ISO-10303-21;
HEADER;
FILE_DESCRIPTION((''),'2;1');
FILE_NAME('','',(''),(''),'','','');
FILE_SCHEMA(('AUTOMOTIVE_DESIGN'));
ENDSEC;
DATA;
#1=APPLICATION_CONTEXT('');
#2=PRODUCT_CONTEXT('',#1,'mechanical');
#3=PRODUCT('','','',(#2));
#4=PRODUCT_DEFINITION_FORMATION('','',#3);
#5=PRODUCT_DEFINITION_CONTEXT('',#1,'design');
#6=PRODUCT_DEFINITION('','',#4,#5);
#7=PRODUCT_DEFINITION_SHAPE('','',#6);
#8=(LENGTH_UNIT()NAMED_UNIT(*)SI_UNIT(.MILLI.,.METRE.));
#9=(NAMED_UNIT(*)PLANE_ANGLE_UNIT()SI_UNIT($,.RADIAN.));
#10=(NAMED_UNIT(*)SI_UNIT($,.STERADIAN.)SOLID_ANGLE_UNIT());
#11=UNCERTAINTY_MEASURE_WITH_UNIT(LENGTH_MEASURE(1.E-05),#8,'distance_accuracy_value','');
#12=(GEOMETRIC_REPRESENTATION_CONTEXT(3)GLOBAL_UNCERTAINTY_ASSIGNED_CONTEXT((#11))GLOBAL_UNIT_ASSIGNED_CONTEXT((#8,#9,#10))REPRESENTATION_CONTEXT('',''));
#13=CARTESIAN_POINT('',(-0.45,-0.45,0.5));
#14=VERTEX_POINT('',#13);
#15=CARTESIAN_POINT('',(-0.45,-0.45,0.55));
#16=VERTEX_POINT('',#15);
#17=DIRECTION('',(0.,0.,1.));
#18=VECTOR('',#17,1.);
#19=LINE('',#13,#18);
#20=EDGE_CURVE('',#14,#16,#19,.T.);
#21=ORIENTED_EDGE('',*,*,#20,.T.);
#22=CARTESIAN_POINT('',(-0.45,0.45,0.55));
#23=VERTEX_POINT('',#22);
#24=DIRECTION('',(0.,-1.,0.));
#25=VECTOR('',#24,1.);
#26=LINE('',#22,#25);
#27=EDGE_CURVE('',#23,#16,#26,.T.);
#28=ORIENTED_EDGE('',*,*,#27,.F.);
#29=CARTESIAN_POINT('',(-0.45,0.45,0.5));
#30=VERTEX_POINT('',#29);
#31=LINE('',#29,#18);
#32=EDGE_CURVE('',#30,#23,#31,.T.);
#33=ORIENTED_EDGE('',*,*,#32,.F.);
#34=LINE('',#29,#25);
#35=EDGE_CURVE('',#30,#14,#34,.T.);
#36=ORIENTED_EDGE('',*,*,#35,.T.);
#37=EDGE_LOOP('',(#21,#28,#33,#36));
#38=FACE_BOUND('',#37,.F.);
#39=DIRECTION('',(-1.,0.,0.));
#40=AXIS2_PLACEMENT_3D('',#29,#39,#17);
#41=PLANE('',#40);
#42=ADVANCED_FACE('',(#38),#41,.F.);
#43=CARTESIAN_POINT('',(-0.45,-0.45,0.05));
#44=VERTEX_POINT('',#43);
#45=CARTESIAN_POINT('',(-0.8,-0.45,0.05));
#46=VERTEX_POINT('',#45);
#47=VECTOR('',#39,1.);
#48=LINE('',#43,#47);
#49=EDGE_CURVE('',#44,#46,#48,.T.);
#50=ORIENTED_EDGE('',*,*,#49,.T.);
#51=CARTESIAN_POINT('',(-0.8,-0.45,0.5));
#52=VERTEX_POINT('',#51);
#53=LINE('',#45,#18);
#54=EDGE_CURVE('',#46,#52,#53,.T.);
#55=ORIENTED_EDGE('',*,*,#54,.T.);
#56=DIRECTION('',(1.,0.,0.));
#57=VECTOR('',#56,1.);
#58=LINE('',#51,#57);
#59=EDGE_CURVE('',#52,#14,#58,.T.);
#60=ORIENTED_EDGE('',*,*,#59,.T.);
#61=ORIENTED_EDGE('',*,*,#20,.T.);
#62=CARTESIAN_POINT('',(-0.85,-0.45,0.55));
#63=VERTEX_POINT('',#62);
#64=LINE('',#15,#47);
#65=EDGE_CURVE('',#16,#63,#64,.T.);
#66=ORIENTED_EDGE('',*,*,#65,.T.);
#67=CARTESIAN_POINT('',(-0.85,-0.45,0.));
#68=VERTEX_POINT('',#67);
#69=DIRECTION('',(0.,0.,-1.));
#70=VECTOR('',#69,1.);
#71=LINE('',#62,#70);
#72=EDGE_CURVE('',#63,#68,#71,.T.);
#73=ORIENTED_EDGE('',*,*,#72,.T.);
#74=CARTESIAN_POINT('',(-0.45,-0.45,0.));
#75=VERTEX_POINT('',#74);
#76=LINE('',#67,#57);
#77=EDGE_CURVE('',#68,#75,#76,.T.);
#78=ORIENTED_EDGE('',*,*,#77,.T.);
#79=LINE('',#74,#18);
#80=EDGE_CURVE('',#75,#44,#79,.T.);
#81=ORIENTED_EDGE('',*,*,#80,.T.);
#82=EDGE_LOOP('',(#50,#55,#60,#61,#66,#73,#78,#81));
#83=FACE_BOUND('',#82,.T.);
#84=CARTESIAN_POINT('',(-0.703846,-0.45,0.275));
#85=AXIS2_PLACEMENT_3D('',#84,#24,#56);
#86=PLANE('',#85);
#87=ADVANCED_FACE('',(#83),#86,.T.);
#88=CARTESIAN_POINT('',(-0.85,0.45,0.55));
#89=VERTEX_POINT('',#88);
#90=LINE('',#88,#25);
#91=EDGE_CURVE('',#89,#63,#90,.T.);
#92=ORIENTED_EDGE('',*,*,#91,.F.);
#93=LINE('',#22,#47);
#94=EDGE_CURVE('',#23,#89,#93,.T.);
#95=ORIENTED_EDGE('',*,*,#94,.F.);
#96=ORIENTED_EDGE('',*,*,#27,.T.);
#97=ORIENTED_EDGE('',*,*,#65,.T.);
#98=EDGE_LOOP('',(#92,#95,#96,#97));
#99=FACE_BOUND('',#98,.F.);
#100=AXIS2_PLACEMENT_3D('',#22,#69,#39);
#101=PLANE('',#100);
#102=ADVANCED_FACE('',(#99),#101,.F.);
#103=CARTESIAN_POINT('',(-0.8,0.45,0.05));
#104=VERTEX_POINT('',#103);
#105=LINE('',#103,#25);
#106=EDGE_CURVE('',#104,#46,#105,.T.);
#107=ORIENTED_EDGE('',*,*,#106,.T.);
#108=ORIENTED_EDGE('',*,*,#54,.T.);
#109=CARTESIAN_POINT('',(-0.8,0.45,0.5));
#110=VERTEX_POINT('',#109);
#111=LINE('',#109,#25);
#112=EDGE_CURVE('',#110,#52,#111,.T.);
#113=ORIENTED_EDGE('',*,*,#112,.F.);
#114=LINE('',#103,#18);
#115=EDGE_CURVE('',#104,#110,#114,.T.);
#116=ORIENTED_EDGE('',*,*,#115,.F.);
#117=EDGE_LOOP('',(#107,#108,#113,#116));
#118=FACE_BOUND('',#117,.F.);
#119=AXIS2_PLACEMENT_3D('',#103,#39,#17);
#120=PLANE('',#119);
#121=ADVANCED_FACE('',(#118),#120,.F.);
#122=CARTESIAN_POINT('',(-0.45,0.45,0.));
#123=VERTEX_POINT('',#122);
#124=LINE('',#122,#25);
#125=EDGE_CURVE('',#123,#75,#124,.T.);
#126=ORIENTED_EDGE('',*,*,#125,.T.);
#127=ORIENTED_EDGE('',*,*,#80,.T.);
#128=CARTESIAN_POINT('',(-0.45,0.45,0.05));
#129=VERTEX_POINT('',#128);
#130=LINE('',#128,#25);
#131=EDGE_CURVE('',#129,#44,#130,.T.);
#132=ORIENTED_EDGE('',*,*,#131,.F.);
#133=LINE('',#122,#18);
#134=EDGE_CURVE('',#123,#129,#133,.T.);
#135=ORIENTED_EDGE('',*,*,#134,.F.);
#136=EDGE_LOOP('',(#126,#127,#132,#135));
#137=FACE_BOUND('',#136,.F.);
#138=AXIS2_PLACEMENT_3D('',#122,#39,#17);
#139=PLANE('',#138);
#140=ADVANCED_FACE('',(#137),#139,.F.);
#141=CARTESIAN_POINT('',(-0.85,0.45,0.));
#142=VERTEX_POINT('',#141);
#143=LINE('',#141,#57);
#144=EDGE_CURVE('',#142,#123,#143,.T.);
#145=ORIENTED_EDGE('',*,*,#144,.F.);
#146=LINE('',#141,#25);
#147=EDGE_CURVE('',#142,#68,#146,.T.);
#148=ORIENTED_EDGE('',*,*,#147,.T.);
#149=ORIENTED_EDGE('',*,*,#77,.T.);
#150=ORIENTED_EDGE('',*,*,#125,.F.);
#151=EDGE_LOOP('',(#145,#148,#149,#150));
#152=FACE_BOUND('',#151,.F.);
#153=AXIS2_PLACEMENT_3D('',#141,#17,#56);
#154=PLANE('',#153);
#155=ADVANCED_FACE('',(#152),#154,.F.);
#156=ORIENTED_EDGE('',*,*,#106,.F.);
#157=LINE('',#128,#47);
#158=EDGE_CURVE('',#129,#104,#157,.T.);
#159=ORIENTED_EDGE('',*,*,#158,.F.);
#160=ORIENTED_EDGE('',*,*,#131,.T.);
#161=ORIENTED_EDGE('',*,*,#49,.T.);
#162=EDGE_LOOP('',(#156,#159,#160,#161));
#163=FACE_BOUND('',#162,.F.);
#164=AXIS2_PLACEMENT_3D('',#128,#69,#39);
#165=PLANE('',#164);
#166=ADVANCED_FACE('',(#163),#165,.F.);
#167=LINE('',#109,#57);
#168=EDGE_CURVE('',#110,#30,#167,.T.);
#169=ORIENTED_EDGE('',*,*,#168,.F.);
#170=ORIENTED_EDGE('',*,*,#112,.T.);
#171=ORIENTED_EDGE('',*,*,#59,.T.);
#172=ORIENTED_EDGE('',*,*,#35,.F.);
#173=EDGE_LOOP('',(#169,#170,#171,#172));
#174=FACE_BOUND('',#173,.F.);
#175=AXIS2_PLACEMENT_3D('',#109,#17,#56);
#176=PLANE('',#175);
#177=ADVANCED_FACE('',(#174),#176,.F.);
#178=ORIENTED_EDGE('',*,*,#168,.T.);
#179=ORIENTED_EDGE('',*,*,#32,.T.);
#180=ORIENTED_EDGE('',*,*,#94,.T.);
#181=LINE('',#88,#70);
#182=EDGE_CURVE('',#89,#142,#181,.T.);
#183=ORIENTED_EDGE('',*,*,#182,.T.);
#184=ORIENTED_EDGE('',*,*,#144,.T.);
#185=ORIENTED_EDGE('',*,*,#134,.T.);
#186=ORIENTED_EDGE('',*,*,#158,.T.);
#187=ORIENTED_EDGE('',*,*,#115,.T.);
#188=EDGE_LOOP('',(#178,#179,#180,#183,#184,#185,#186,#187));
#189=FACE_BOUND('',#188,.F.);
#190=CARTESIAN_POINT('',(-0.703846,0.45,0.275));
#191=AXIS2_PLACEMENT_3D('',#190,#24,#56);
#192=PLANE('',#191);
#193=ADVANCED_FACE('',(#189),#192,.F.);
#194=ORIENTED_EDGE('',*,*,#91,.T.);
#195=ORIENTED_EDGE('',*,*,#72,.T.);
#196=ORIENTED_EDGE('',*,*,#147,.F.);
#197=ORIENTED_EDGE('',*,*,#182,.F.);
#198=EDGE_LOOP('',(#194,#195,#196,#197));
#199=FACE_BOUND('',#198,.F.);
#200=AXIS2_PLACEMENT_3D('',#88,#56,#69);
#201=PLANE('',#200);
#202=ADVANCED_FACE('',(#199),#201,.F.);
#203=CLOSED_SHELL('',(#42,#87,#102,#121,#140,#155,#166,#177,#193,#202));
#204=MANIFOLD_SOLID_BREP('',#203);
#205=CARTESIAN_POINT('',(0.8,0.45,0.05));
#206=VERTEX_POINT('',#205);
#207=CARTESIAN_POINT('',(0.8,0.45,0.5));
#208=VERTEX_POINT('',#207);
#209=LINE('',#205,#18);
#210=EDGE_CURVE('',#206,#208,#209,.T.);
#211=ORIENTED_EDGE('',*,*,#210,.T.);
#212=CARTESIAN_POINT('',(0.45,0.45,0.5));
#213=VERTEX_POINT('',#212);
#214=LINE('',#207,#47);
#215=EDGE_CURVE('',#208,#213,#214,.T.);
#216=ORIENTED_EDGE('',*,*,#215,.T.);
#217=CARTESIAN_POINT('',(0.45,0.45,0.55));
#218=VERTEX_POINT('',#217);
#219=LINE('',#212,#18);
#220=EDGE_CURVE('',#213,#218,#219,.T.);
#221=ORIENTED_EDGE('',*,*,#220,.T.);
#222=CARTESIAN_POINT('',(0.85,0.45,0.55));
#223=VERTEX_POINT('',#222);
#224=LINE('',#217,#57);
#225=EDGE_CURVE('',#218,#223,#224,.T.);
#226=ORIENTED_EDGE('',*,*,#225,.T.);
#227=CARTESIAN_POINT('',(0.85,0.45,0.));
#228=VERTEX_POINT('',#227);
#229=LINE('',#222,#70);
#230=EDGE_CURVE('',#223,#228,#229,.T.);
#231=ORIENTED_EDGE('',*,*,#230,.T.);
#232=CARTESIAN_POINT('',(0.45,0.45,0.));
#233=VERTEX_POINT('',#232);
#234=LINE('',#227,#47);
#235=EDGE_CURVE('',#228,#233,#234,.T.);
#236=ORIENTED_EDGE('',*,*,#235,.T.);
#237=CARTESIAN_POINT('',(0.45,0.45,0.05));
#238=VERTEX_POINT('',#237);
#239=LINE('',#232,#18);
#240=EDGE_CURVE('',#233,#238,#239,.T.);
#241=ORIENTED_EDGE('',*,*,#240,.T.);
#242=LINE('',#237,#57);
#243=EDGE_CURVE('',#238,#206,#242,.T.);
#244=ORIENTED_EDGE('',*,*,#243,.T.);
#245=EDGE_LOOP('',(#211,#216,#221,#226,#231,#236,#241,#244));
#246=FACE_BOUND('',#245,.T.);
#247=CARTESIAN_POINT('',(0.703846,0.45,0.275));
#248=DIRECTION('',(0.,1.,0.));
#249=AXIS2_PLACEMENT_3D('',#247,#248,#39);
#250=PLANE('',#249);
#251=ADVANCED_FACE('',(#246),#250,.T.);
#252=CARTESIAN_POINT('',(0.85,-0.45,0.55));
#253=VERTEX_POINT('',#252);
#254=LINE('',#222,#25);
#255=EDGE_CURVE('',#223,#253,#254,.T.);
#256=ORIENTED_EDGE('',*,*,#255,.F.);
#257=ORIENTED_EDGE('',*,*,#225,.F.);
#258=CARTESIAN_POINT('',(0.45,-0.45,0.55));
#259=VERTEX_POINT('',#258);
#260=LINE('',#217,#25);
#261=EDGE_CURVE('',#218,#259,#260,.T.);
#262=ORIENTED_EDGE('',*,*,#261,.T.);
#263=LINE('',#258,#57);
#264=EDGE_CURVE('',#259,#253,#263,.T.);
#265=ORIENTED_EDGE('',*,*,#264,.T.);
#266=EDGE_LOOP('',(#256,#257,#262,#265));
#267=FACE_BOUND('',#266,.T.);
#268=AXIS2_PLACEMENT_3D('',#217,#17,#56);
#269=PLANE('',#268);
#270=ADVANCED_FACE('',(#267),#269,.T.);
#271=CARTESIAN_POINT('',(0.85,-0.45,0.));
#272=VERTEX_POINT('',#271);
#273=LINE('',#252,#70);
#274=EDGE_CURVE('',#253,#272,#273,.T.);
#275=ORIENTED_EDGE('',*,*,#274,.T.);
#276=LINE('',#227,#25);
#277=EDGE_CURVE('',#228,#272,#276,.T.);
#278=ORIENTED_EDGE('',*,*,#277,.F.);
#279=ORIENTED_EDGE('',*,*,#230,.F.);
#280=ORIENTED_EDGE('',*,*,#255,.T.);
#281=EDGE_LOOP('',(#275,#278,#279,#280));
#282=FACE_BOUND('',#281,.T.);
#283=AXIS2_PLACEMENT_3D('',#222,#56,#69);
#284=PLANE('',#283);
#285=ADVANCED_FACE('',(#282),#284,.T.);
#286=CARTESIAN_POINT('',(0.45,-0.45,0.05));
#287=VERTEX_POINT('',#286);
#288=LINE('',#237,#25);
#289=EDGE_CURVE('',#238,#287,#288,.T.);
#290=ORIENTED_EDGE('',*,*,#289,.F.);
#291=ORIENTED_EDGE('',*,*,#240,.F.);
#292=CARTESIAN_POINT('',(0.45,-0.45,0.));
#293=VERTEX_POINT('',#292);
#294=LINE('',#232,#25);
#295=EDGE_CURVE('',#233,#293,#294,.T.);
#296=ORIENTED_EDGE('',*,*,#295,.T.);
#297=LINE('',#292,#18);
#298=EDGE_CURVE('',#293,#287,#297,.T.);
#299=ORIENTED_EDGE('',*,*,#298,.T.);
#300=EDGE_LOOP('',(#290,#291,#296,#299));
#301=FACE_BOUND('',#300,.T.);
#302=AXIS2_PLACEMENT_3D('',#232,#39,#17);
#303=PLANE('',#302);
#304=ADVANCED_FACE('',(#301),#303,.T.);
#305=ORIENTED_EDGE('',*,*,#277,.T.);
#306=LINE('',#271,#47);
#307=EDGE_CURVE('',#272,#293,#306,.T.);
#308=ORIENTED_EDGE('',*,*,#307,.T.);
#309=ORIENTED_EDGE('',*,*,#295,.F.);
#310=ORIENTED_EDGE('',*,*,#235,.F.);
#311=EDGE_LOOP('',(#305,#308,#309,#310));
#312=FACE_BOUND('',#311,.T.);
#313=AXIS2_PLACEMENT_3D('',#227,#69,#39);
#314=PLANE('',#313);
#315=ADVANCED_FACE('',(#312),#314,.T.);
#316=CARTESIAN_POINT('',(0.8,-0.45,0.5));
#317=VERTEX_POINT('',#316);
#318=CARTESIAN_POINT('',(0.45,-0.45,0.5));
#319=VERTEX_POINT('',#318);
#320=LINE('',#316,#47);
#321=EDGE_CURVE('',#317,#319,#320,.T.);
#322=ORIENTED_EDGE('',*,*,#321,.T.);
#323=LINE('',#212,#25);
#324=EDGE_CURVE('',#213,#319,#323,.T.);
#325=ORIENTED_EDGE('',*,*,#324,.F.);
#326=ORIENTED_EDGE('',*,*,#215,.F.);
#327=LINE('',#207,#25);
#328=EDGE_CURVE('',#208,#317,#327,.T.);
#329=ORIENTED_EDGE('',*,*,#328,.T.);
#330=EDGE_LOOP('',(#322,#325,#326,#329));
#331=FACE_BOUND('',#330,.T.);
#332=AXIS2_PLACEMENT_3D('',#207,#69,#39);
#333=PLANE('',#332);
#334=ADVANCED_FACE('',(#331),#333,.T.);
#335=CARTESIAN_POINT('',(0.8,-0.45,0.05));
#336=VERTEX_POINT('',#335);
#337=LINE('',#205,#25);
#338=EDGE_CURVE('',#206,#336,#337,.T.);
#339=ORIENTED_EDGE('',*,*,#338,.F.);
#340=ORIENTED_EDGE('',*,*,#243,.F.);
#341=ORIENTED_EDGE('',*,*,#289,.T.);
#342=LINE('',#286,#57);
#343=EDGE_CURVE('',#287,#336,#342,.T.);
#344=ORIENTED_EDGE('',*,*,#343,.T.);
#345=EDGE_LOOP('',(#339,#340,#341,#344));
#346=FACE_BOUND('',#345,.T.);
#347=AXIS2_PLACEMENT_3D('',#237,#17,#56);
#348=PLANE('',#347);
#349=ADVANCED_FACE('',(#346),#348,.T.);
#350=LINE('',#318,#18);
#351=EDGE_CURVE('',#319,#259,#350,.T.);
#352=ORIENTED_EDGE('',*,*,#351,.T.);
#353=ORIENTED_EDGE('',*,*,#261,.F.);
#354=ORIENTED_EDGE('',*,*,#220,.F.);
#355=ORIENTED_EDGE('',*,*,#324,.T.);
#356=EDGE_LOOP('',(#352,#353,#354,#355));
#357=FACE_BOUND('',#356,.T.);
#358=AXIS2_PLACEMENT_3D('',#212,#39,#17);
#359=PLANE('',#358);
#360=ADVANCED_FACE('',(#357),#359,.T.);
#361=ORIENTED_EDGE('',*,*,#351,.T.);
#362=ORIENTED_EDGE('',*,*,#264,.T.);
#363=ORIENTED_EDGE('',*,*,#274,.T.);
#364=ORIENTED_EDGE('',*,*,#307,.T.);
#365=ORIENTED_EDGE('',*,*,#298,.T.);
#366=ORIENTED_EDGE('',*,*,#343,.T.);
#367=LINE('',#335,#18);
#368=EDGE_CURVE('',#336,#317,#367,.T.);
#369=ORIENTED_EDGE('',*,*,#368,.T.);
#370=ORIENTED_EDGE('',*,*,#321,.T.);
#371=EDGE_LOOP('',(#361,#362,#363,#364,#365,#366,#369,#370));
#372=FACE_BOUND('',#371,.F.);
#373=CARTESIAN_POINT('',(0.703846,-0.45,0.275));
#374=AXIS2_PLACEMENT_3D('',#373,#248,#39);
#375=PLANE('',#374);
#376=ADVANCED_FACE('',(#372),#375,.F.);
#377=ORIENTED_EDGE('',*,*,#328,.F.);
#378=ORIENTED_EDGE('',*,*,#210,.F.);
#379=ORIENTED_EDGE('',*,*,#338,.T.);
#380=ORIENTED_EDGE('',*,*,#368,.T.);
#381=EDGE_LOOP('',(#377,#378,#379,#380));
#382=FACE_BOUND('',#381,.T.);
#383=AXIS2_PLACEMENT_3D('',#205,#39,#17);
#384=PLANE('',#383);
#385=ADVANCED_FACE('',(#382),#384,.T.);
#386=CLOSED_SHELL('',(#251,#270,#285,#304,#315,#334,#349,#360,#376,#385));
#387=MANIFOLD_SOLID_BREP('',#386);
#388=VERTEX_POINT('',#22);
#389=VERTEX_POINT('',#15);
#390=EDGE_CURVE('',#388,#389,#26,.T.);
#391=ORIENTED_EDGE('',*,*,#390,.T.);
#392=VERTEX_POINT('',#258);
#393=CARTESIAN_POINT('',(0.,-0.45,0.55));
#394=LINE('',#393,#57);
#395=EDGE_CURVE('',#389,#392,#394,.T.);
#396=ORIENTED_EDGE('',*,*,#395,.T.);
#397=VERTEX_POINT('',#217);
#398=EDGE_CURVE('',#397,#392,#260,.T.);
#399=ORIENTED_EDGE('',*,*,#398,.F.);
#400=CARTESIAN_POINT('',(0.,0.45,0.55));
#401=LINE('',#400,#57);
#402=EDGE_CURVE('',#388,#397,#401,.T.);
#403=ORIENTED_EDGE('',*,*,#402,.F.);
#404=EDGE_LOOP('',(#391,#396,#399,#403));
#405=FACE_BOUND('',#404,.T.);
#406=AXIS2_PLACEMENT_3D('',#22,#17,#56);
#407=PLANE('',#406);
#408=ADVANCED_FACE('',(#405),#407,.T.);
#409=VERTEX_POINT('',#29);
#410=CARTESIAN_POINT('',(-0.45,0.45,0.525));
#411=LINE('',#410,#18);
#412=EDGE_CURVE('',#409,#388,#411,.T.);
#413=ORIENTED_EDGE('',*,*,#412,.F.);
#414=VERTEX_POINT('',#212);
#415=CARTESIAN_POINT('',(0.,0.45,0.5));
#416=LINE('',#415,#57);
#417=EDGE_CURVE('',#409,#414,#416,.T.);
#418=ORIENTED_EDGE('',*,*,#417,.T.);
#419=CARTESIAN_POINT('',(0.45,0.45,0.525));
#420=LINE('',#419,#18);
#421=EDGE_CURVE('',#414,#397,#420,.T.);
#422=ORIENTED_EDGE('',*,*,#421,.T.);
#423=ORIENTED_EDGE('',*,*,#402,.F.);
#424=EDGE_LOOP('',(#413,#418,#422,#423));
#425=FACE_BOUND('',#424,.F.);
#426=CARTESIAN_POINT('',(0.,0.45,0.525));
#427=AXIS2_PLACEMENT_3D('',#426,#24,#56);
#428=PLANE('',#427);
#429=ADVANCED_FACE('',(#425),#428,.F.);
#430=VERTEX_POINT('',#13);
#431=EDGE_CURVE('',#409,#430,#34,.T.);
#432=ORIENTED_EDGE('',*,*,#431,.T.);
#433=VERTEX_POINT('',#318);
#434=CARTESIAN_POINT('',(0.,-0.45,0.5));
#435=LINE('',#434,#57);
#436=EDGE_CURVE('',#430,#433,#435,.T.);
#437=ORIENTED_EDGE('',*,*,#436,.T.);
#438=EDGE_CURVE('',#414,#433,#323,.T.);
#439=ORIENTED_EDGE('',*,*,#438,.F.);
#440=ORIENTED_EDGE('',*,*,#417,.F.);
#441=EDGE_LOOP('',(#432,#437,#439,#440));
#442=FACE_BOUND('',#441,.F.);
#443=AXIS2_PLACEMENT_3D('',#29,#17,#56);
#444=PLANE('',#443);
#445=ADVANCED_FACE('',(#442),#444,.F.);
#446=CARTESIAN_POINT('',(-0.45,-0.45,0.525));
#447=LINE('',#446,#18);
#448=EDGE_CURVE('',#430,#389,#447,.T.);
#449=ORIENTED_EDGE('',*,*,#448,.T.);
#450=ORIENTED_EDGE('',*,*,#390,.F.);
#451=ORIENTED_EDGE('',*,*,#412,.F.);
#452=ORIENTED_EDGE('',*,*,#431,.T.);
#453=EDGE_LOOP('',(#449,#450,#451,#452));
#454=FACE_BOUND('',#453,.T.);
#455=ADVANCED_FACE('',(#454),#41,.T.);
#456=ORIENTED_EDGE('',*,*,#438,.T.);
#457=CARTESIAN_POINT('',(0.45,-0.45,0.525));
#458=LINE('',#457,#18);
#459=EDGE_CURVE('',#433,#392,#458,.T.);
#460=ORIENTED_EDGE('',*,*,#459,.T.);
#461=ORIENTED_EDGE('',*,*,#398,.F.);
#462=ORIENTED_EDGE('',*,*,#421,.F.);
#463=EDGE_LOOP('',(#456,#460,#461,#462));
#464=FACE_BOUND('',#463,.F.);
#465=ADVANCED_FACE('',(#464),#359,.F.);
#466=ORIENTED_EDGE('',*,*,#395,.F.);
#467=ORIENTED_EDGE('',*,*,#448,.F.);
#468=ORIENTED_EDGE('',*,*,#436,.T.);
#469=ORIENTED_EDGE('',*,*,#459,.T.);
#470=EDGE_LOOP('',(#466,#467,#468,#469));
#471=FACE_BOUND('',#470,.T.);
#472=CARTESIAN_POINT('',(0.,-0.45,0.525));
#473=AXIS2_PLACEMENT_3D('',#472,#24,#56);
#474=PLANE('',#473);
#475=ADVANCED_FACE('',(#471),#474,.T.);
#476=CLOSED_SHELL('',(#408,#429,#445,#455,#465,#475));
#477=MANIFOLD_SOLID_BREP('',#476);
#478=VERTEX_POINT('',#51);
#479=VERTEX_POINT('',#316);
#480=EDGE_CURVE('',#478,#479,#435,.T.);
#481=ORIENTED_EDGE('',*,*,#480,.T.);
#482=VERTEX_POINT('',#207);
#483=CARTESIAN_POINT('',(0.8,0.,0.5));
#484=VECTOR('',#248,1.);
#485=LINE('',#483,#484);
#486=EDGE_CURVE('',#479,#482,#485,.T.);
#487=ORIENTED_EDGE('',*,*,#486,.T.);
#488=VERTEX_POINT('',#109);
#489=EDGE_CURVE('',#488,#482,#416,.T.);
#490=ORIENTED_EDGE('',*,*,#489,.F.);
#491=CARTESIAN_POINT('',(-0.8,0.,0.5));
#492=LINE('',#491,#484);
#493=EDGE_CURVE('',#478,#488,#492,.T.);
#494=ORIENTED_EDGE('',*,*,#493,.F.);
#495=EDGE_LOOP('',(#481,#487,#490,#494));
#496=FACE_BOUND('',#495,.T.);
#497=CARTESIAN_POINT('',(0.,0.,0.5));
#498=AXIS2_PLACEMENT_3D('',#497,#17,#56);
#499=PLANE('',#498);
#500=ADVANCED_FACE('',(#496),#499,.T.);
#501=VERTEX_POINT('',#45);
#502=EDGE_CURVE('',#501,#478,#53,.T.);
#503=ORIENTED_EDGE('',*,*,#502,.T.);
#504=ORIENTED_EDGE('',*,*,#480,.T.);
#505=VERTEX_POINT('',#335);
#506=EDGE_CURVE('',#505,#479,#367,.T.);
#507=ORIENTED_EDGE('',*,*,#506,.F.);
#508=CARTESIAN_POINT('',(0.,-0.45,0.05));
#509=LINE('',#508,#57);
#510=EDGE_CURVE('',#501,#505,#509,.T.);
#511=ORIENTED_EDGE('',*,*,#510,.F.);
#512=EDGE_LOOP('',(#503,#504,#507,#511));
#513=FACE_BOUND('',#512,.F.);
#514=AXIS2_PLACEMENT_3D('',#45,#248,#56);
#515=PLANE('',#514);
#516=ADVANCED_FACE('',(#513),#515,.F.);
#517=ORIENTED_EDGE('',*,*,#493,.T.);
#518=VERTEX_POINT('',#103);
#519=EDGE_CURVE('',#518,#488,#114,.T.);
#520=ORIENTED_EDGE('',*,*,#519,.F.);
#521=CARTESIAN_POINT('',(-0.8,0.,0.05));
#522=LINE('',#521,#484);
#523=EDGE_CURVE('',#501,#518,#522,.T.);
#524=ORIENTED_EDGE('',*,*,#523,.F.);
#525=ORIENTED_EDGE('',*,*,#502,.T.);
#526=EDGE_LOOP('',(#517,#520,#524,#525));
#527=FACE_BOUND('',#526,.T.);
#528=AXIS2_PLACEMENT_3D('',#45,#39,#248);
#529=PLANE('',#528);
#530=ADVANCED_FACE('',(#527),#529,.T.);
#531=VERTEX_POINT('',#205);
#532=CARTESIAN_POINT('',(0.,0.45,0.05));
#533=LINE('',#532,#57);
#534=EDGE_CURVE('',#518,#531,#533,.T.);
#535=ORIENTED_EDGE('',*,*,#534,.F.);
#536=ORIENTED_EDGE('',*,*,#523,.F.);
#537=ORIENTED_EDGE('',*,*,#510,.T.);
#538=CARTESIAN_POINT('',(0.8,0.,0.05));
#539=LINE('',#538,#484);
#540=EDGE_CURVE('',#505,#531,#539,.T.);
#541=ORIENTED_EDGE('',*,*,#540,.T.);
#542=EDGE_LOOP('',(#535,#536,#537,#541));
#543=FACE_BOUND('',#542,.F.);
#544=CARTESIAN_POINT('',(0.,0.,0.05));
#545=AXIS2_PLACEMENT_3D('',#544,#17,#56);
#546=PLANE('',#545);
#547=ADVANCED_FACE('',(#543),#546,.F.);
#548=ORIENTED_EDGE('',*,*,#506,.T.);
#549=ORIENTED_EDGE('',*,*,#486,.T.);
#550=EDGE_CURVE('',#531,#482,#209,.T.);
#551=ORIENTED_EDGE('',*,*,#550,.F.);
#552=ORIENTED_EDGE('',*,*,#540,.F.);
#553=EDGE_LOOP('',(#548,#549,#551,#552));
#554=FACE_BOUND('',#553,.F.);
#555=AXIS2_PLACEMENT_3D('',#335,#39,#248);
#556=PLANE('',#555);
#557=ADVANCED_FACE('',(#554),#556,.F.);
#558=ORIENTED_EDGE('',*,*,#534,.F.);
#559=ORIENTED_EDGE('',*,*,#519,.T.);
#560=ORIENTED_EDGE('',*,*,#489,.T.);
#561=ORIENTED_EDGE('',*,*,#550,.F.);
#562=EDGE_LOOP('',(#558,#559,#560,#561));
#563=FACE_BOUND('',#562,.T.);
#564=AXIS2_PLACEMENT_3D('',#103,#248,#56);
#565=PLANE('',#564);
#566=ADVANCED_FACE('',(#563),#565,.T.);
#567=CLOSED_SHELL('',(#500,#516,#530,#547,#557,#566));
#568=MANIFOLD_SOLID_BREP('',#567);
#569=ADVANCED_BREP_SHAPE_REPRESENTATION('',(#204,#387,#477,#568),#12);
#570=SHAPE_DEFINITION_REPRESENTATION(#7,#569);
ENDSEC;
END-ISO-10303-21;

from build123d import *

# Parameters (mm, degrees)
SKETCH_W         = 1.6
SKETCH_H         = 0.9
EXTRUDE_DEPTH    = 0.45
EXTRUDE001_DEPTH = 0.9
SKETCH002_W      = 0.9
SKETCH002_H      = 0.05
EXTRUDE002_DEPTH = 0.9


with BuildPart() as body_main:
    # Sketch → Extrude (new body)
    with BuildSketch(Plane.XY.offset(0.05)):
        Rectangle(SKETCH_W, SKETCH_H)
    extrude(amount=EXTRUDE_DEPTH)


with BuildPart() as pin:
    # Sketch001 → Extrude001 (new body)
    with BuildSketch(Plane.XZ.offset(-0.45)):
        Polygon((-0.45, 0.55), (-0.85, 0.55), (-0.85, 0), (-0.45, 0), (-0.45, 0.05), (-0.8, 0.05), (-0.8, 0.5), (-0.45, 0.5), align=None)
        Polygon((0.45, 0.55), (0.85, 0.55), (0.85, 0), (0.45, 0), (0.45, 0.05), (0.8, 0.05), (0.8, 0.5), (0.45, 0.5), align=None)
    extrude(amount=EXTRUDE001_DEPTH)


with BuildPart() as body_top:
    # Sketch002 → Extrude002 (new body)
    with BuildSketch(Plane.XZ.offset(-0.45)):
        with Locations((0, 0.525)):
            Rectangle(SKETCH002_W, SKETCH002_H)
    extrude(amount=EXTRUDE002_DEPTH)


solid = Compound([body_main.part, pin.part, body_top.part])
